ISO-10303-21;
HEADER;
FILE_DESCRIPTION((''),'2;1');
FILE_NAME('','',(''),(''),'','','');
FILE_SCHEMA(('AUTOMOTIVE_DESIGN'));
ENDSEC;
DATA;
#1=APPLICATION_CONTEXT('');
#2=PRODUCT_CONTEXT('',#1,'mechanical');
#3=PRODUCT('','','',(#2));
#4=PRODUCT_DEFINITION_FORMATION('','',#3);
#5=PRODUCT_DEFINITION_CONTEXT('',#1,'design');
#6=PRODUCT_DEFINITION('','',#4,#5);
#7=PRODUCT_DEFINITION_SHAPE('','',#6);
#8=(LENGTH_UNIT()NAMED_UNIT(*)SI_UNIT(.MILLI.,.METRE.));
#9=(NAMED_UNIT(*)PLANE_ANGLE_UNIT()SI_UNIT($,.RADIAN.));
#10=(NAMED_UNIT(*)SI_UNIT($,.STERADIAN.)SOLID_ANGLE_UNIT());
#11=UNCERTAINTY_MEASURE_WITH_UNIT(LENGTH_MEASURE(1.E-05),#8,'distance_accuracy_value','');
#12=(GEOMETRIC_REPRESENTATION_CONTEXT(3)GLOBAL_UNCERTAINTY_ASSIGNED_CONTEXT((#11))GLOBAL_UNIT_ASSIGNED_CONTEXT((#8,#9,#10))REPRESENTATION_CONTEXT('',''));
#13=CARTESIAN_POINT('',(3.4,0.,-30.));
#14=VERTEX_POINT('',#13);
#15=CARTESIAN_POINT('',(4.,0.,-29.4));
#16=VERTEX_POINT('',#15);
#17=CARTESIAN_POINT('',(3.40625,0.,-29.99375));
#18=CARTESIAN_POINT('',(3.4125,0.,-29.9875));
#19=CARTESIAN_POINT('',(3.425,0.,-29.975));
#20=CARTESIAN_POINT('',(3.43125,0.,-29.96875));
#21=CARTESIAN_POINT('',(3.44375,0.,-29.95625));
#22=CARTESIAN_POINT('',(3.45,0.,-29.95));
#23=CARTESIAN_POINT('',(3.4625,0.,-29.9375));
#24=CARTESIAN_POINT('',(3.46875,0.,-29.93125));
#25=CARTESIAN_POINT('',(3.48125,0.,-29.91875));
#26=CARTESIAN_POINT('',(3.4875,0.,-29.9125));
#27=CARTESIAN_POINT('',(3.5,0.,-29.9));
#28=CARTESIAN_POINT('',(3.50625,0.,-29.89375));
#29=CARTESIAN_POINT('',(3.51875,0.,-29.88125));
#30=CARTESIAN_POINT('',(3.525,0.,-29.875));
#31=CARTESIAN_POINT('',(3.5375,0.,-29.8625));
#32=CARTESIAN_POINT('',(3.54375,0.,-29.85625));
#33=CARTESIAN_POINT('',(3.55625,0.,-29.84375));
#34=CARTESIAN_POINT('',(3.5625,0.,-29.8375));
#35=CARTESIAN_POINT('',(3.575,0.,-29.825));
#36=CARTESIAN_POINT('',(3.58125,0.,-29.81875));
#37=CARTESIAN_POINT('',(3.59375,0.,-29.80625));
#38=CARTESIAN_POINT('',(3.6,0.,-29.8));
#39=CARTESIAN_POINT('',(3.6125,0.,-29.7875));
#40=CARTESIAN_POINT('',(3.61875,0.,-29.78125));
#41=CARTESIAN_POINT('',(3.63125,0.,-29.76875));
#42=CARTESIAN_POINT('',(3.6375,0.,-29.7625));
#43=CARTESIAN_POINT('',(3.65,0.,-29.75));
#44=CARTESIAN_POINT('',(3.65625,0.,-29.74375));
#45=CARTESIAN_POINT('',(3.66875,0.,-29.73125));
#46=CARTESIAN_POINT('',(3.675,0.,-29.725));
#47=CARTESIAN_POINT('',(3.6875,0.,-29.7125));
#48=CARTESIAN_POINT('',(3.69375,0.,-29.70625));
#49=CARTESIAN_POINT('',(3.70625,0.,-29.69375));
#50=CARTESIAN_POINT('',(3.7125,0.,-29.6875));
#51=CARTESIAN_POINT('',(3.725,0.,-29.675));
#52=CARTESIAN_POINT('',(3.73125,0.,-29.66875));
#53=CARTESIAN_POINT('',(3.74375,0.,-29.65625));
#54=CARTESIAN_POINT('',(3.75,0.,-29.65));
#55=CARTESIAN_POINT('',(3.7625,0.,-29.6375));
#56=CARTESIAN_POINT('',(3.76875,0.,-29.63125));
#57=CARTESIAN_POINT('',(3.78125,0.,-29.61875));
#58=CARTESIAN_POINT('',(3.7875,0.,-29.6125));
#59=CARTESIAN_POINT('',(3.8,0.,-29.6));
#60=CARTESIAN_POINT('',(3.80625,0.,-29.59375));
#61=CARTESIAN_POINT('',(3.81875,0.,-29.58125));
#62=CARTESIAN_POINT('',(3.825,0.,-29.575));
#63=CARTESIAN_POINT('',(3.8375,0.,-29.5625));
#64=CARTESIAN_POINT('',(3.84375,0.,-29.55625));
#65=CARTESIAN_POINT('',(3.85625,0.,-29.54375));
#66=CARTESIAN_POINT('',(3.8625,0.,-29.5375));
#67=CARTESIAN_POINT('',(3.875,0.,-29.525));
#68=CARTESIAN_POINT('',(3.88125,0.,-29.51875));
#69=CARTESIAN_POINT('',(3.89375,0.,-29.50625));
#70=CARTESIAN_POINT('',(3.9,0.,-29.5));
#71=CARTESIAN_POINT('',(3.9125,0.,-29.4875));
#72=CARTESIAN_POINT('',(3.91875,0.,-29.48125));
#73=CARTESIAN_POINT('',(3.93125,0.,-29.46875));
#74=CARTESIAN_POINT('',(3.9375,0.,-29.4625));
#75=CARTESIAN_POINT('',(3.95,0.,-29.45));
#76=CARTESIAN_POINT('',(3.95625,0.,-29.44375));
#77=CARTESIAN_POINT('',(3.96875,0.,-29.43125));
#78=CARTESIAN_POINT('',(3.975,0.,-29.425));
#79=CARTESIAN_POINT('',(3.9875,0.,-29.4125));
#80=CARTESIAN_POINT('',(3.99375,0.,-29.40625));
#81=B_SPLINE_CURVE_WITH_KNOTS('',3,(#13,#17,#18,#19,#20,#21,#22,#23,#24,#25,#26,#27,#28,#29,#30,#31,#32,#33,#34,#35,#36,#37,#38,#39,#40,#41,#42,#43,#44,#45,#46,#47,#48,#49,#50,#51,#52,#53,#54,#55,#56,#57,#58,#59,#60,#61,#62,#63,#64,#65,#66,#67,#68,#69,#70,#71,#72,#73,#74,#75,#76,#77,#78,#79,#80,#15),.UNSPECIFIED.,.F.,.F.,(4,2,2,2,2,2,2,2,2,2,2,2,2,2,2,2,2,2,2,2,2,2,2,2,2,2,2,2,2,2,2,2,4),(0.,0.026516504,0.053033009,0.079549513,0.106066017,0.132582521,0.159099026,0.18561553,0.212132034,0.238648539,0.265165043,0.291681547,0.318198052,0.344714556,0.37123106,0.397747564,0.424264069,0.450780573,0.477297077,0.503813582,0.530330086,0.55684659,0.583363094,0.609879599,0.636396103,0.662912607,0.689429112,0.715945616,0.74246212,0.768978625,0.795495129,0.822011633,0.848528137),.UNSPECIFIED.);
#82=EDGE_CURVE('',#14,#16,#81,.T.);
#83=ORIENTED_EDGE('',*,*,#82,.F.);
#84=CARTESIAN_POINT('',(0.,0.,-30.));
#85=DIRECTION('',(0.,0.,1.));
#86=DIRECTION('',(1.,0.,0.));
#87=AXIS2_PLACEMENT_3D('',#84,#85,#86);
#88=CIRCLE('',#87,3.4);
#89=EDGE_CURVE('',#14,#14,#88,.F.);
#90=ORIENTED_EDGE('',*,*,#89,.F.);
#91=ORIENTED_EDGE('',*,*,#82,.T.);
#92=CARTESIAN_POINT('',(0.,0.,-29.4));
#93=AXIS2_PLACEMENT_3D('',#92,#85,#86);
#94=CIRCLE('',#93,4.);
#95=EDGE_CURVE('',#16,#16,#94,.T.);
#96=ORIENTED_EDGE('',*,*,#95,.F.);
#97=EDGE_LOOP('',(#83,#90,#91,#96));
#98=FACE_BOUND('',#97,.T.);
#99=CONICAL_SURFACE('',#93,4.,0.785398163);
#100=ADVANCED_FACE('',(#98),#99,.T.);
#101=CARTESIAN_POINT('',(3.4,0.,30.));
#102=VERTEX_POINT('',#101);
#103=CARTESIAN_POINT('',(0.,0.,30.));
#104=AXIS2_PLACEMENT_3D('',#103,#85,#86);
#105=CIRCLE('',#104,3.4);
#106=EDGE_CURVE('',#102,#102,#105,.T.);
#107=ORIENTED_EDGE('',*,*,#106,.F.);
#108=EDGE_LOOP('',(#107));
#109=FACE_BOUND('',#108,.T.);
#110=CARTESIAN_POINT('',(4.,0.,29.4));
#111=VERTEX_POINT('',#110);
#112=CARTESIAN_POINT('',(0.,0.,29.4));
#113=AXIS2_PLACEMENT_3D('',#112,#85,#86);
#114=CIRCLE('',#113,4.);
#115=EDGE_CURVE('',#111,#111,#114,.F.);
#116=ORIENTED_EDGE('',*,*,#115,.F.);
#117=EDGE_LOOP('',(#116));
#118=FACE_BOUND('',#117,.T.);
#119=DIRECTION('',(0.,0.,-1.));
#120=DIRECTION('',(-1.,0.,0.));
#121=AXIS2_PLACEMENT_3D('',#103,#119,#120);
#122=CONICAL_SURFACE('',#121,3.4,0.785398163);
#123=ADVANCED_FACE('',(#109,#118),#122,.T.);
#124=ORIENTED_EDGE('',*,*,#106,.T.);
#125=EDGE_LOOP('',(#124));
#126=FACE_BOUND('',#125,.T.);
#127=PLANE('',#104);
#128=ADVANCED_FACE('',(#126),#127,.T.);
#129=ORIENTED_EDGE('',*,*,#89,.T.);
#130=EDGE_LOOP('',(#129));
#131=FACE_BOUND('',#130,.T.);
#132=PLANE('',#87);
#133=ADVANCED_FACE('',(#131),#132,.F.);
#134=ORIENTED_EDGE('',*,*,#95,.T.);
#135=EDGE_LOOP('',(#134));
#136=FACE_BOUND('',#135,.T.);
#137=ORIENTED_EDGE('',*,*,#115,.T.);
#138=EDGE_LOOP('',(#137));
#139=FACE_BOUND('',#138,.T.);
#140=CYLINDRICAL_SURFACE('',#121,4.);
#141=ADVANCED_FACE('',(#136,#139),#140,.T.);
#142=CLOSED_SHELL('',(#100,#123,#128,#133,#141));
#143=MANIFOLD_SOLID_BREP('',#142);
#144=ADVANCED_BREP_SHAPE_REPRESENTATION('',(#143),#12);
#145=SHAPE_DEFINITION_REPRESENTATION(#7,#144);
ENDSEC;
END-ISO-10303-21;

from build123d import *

# Parameters (mm, degrees)
BOSS_EXTRUDE1_DEPTH      = 30
BOSS_EXTRUDE1_DEPTH_BACK = 30
SKETCH3_R                = 4
CHAMFER1_SIZE            = 0.6


with BuildPart() as part:
    # Sketch3 → Boss-Extrude1 (new, two sides: drawn at the far end of the back side and taken through both)
    with BuildSketch(Plane.XY.offset(-BOSS_EXTRUDE1_DEPTH_BACK)):
        Circle(SKETCH3_R)
    extrude(amount=BOSS_EXTRUDE1_DEPTH + BOSS_EXTRUDE1_DEPTH_BACK)

    # Chamfer1
    chamfer1_edges = [part.edges().sort_by_distance(p)[0] for p in [
        (-4, 0, -30),
        (-4, 0, 30),
    ]]
    chamfer(chamfer1_edges, length=CHAMFER1_SIZE)


solid = part.part
